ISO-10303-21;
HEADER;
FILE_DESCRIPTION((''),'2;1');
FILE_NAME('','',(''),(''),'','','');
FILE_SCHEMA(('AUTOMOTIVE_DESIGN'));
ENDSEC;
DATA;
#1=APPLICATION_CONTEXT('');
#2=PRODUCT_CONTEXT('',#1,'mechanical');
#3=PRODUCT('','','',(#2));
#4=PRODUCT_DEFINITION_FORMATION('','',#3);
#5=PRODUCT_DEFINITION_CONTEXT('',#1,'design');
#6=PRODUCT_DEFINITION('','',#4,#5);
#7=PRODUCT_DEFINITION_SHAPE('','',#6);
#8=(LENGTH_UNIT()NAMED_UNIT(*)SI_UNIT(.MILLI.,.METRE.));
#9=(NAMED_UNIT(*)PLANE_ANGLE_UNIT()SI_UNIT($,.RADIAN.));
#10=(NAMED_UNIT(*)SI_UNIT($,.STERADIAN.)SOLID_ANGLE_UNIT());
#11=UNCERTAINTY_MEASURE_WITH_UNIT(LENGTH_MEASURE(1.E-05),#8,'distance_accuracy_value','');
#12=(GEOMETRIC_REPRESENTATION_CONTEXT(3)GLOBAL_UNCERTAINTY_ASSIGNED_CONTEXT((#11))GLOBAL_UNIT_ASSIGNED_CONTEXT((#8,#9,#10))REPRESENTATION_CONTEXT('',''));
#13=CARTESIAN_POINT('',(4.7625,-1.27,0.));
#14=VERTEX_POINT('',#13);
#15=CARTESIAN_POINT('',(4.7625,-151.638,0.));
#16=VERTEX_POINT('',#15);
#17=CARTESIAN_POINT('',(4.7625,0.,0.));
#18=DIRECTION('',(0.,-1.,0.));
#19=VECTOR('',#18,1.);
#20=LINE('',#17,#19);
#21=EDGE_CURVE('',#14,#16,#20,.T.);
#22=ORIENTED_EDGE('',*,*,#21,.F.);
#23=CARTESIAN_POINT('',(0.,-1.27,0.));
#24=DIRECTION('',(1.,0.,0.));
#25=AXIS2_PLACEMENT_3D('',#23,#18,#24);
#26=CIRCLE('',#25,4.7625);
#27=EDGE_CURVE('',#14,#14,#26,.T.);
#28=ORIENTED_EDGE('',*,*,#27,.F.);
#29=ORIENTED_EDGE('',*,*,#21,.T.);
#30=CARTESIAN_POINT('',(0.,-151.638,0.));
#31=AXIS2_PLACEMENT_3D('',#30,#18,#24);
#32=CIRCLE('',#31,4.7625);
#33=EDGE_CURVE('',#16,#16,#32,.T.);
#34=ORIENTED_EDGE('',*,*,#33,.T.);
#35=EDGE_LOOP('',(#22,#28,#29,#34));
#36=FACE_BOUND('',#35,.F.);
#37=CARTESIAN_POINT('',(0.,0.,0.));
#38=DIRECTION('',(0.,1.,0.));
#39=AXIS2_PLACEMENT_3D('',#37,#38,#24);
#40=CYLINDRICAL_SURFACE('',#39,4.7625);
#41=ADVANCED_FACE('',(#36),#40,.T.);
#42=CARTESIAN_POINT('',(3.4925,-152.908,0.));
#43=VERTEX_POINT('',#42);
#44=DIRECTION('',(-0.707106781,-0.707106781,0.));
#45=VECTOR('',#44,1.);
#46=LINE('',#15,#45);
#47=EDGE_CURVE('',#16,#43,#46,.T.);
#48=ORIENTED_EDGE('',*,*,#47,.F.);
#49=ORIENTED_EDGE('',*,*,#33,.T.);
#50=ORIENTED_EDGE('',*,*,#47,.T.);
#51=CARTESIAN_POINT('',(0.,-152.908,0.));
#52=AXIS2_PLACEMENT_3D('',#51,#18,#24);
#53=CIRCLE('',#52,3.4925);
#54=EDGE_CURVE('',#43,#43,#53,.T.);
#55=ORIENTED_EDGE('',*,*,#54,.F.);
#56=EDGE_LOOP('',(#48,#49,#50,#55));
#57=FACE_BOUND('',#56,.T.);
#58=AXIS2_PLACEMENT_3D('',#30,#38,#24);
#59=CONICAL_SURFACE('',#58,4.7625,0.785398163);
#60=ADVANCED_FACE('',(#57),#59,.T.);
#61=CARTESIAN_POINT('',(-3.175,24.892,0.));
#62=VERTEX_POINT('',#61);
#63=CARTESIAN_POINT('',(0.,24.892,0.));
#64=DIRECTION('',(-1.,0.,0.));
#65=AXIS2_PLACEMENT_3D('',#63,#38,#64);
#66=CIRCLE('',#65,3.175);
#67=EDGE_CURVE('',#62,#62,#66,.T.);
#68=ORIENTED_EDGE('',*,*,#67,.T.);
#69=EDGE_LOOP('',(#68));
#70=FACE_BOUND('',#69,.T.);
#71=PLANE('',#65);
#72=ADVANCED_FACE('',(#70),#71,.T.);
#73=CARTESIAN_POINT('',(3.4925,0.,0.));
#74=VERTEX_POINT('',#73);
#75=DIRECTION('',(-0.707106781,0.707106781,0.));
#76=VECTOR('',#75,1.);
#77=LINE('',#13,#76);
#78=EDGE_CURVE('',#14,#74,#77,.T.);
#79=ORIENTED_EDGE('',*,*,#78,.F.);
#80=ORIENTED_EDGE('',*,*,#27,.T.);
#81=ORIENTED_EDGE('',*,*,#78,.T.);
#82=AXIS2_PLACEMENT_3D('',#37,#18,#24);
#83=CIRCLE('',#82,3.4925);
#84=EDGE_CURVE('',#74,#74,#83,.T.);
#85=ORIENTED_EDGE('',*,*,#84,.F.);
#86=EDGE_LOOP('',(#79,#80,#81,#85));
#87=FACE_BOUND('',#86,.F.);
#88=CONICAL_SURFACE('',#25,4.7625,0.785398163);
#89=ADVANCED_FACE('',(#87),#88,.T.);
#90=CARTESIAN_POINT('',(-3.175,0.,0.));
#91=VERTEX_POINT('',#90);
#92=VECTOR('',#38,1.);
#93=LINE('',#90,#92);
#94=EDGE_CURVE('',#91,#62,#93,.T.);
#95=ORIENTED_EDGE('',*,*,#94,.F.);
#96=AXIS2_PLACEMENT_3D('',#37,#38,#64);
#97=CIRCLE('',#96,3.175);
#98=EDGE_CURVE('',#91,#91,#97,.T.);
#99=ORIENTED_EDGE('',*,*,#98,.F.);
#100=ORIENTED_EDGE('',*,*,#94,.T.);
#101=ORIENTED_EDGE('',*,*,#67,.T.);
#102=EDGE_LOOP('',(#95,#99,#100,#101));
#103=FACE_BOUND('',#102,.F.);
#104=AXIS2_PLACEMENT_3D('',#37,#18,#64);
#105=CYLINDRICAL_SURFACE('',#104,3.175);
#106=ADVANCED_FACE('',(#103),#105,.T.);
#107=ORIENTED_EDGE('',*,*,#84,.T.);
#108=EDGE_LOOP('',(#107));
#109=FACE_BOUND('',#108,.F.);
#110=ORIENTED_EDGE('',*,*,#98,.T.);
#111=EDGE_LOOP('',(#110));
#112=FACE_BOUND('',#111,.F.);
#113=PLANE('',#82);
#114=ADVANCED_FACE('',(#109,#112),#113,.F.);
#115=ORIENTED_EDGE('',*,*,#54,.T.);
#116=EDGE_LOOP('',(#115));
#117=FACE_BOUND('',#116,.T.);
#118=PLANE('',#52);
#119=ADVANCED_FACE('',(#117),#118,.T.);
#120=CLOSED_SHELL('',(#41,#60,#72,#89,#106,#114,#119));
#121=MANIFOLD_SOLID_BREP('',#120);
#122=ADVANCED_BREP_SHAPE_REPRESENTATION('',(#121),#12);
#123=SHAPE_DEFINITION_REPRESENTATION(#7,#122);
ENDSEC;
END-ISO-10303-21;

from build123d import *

# Parameters (mm, degrees)
F0_R     = 4.7625
F1_DEPTH = 152.908
F2_SIZE2 = 1.27
F2_SIZE  = 1.27
F3_R     = 3.175
F4_DEPTH = 24.892


with BuildPart() as f1:
    # F0 (on Front) → F1 (new body)
    with BuildSketch(Plane.XZ):
        Circle(F0_R)
    extrude(amount=F1_DEPTH)

    # F2
    f2_edges = [f1.edges().sort_by_distance(p)[0] for p in [
        (-4.7625, -152.908, 0),
        (-4.7625, 0, 0),
    ]]
    chamfer(f2_edges, length=F2_SIZE, length2=F2_SIZE2)

    # F3 (on face) → F4 (join)
    with BuildSketch(Plane(origin=(0, 0, 0), x_dir=(-1, 0, 0), z_dir=(0, 1, 0))):
        Circle(F3_R)
    extrude(amount=F4_DEPTH)


solid = f1.part
